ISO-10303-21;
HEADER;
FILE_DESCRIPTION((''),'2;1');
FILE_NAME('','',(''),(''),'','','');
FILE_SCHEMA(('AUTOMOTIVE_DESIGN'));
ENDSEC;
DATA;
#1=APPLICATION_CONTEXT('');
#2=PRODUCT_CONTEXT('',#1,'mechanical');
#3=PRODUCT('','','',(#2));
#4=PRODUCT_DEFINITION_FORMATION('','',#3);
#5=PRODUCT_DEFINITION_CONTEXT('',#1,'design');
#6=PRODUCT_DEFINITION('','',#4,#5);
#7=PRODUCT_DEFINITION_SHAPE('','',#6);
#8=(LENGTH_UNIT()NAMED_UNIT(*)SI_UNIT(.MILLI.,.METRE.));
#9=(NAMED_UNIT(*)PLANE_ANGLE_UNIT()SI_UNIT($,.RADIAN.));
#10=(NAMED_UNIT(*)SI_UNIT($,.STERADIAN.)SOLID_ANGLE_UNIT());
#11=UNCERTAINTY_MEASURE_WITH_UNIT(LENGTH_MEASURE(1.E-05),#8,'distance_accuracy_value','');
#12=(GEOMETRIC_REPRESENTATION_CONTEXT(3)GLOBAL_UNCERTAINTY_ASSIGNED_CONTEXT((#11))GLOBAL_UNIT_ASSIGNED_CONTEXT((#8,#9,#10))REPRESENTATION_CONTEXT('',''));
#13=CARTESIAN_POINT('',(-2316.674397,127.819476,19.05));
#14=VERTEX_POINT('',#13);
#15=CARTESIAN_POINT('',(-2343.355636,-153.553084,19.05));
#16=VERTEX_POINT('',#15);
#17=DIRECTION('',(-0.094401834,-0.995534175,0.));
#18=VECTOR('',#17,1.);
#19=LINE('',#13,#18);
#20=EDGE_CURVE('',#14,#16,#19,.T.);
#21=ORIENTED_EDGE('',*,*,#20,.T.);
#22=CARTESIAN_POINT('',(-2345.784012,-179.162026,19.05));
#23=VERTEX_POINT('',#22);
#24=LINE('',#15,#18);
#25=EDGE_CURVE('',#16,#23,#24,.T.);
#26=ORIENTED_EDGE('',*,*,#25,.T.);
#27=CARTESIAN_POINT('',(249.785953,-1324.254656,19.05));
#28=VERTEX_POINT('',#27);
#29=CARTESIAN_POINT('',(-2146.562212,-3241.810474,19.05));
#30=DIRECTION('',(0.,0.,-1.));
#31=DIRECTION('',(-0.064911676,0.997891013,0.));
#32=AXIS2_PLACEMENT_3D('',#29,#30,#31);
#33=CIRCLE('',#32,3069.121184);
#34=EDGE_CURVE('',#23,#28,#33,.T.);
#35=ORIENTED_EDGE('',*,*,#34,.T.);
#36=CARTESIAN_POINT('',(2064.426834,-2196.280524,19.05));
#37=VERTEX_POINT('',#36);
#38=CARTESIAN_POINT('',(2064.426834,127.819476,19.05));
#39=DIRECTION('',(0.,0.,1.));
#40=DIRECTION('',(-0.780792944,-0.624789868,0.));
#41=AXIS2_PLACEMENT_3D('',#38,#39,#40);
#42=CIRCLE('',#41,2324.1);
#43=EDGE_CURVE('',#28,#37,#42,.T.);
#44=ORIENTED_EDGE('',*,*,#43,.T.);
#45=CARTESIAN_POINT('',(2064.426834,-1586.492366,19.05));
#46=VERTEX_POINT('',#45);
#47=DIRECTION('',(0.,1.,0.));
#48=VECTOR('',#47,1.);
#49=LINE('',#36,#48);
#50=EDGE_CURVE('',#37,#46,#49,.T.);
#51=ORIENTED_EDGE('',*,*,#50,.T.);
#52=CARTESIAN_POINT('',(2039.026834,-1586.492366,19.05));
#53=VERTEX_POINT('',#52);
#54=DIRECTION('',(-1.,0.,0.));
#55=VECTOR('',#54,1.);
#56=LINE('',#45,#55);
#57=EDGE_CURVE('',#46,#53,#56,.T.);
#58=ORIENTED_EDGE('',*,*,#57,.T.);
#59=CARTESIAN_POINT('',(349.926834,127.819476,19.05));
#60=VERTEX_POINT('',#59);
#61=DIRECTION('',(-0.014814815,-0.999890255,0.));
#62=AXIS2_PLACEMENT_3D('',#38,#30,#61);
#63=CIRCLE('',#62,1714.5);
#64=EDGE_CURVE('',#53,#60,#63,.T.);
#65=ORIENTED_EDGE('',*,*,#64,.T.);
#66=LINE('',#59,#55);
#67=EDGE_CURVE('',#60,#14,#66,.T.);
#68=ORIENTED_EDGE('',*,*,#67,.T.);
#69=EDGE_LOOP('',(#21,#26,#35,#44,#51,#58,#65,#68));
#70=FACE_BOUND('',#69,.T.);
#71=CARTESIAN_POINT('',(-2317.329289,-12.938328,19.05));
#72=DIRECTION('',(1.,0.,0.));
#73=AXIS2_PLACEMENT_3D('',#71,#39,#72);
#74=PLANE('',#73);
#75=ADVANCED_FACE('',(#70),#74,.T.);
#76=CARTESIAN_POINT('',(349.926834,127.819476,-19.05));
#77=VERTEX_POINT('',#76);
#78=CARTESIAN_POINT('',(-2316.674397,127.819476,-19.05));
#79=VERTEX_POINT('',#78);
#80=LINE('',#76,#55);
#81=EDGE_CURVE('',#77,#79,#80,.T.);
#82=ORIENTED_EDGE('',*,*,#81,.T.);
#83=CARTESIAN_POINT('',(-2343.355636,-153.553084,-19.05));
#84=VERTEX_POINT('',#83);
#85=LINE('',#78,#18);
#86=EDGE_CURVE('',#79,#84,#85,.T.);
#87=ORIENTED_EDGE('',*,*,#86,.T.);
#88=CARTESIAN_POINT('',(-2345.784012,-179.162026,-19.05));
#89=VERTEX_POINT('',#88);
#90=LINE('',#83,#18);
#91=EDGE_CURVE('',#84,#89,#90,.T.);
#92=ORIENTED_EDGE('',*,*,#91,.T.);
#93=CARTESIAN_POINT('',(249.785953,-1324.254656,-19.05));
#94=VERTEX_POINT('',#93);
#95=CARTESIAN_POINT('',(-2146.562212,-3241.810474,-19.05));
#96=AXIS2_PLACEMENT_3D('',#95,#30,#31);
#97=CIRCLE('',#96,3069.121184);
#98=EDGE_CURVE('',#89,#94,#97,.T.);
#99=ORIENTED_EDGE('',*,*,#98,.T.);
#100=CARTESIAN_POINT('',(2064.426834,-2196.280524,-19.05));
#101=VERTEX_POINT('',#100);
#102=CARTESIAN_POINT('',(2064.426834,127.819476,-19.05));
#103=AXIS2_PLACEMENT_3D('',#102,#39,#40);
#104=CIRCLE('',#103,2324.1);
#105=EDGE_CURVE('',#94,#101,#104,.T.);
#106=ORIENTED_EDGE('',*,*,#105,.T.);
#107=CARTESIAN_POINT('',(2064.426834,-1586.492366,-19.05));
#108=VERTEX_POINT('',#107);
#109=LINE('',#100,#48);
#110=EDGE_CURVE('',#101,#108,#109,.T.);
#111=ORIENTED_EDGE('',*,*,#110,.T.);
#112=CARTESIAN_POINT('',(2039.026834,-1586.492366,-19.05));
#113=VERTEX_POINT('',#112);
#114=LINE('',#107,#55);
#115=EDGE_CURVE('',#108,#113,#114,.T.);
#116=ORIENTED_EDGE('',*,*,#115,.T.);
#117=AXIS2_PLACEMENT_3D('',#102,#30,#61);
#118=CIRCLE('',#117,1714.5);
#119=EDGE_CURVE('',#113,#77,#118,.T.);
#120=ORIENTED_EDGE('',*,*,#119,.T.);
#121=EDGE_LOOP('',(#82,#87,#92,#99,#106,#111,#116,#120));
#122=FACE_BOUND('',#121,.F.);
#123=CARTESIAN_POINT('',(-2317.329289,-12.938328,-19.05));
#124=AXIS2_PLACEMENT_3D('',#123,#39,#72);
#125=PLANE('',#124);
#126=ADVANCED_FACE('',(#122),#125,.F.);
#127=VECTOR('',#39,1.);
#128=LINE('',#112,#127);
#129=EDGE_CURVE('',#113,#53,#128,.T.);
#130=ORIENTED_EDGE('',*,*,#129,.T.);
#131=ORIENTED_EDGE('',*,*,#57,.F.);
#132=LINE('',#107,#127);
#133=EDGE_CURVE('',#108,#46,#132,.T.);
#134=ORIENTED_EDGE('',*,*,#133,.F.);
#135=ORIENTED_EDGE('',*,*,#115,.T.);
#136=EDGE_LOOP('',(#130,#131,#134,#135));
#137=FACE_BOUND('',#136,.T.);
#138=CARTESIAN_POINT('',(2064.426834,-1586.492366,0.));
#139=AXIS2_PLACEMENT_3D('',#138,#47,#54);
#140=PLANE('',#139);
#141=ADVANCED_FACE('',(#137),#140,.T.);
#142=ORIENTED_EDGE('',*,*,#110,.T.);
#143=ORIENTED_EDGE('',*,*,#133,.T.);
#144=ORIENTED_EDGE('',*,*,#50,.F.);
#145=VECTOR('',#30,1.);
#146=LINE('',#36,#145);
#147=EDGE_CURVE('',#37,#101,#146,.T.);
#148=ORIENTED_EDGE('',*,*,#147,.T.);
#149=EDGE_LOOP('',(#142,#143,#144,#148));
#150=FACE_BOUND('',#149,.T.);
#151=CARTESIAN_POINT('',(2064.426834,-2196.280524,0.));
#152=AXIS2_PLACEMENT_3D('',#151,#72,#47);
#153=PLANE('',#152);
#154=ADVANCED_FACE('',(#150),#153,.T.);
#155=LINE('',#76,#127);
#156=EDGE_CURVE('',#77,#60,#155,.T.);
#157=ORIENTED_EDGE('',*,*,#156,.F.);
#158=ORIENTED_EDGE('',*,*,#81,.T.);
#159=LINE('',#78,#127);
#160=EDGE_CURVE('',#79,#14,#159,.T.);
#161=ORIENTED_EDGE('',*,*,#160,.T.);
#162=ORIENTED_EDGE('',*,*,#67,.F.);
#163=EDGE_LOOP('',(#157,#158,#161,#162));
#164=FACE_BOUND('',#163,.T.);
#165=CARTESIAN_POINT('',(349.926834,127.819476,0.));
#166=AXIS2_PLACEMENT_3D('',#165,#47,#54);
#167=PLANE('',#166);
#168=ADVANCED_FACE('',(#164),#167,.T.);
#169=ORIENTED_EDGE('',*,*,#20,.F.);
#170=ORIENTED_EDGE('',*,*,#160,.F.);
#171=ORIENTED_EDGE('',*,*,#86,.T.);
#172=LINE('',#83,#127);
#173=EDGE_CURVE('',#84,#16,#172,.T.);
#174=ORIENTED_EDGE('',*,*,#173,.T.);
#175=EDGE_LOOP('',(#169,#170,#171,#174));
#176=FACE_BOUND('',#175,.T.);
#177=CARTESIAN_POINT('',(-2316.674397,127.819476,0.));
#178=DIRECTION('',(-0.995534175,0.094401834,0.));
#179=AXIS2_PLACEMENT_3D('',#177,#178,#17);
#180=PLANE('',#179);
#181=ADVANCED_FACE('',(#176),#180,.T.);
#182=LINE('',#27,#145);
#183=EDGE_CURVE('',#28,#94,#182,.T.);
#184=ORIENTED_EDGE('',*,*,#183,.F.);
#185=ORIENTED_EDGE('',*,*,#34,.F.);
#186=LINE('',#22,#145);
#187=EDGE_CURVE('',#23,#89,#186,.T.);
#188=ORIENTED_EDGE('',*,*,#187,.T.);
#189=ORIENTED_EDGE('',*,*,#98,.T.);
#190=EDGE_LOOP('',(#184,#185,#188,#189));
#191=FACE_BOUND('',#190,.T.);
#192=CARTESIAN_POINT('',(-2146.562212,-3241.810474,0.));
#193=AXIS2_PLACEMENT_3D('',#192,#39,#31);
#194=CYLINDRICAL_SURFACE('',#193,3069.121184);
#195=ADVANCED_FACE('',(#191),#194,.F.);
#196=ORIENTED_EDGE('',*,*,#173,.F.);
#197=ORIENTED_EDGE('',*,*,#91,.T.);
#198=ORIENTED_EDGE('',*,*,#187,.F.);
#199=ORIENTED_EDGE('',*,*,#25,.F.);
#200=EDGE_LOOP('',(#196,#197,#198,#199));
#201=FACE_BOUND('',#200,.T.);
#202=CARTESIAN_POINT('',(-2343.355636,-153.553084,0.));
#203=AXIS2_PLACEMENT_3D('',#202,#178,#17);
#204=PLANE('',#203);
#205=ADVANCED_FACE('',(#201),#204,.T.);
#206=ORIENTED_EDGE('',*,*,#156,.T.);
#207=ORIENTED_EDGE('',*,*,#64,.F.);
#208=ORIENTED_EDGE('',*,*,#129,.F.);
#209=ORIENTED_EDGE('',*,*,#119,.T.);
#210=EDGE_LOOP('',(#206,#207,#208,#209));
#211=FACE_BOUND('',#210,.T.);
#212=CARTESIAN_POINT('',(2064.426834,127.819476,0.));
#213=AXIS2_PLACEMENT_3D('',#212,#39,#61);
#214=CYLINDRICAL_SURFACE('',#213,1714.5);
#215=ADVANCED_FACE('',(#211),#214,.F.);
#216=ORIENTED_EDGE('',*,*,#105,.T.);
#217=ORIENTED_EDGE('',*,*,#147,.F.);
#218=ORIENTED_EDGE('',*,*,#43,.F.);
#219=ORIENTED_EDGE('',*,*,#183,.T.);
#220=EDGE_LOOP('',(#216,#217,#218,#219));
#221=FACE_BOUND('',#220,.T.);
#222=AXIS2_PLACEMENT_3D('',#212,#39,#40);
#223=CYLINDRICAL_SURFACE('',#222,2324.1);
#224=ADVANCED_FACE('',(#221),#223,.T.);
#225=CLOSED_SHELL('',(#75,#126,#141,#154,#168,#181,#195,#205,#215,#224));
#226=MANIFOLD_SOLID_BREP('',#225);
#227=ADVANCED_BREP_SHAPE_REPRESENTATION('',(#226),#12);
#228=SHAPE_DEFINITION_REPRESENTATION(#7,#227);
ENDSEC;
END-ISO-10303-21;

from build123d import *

# Parameters (mm, degrees)
F1_DEPTH = 19.05


with BuildPart() as f1:
    # F0 (on Top) → F1 (new body, symmetric)
    with BuildSketch(Plane.XY):
        with BuildLine():
            Line((-2291.3076398854, 126.2673181521), (-2316.6743968408, 127.8194759219))
            Line((-2316.6743968408, 127.8194759219), (-2343.3556362702, -153.5530842325))
            ThreePointArc((-2343.3556362702, -153.5530842325), (-2330.5278016841, -152.7623974711), (-2317.6967938555, -152.0249940366))
            Line((-2317.6967938555, -152.0249940366), (-2291.3076398854, 126.2673181521))
        make_face()
        with BuildLine():
            Line((-1976.4500267242, 127.8194759219), (-2316.6743968408, 127.8194759219))
            Line((-2316.6743968408, 127.8194759219), (-2291.3076398854, 126.2673181521))
            Line((-2291.3076398854, 126.2673181521), (-2317.6967938555, -152.0249940366))
            ThreePointArc((-2317.6967938555, -152.0249940366), (-860.7722517839, -427.062610277), (300.9871304167, -1348.2520313553))
            Line((300.9871304167, -1348.2520313553), (310.5663609149, -1358.1129358871))
            ThreePointArc((310.5663609149, -1358.1129358871), (1086.401925793, -1952.4422791876), (2039.0268335681, -2170.7401883026))
            Line((2039.0268335681, -2170.7401883026), (2039.0268335681, -1891.320769331))
            ThreePointArc((2039.0268335682, -1891.320769331), (1178.3695250645, -1686.6983487487), (487.771642016, -1133.8187039663))
            ThreePointArc((487.771642016, -1133.8187039663), (-608.9790041307, -238.6151698748), (-1976.4500267242, 127.8194759219))
        make_face()
        with BuildLine():
            Line((349.9268335681, 127.8194759219), (-1976.4500267242, 127.8194759219))
            ThreePointArc((-1976.4500267242, 127.8194759219), (-608.9790041307, -238.6151698748), (487.771642016, -1133.8187039663))
            ThreePointArc((487.771642016, -1133.8187039663), (1178.3695250645, -1686.6983487487), (2039.0268335682, -1891.320769331))
            Line((2039.0268335681, -1891.320769331), (2039.0268335681, -1586.6805240781))
            Line((2039.0268335681, -1586.6805240781), (2039.0268335681, -1586.4923656052))
            ThreePointArc((2039.0268335681, -1586.4923656052), (843.1450171965, -1075.5013354165), (349.9268335681, 127.8194759219))
        make_face()
        with BuildLine():
            Line((-2317.6967938555, -152.0249940366), (-2343.3556362702, -153.5530842325))
            Line((-2343.3556362702, -153.5530842325), (-2345.7840120459, -179.1620260819))
            ThreePointArc((-2345.7840120459, -179.1620260819), (-907.7521586728, -433.8121667128), (249.7859527251, -1324.2546556476))
            ThreePointArc((249.7859527251, -1324.2546556476), (1057.7800929437, -1966.9605004934), (2064.4268335681, -2196.2805240781))
            Line((2064.4268335681, -2196.2805240781), (2064.4268335681, -2170.8805240781))
            ThreePointArc((2064.4268335681, -2170.8805240781), (2051.7266397298, -2170.8454398665), (2039.0268335681, -2170.7401883026))
            ThreePointArc((2039.0268335681, -2170.7401883026), (1086.401925793, -1952.4422791876), (310.5663609149, -1358.1129358871))
            Line((310.5663609149, -1358.1129358871), (300.9871304167, -1348.2520313553))
            ThreePointArc((300.9871304167, -1348.2520313553), (-860.7722517839, -427.062610277), (-2317.6967938555, -152.0249940366))
        make_face()
        with BuildLine():
            ThreePointArc((-2317.6967938555, -152.0249940366), (-2330.5278016841, -152.7623974711), (-2343.3556362702, -153.5530842325))
            Line((-2343.3556362702, -153.5530842325), (-2317.6967938555, -152.0249940366))
        make_face()
        with BuildLine():
            Line((2064.4268335681, -1586.4923656052), (2039.0268335681, -1586.4923656052))
            ThreePointArc((2039.0268335681, -1586.4923656052), (2051.7264851122, -1586.6334838146), (2064.4268335681, -1586.6805240781))
            Line((2064.4268335681, -1586.6805240781), (2064.4268335681, -1586.4923656052))
        make_face()
        with BuildLine():
            ThreePointArc((2064.4268335681, -1586.6805240781), (2051.7264851122, -1586.6334838146), (2039.0268335681, -1586.4923656052))
            Line((2039.0268335681, -1586.4923656052), (2039.0268335681, -1586.6805240781))
            Line((2039.0268335681, -1586.6805240781), (2064.4268335681, -1586.6805240781))
        make_face()
        with BuildLine():
            Line((2039.0268335681, -1586.6805240781), (2039.0268335681, -1891.320769331))
            ThreePointArc((2039.0268335682, -1891.320769331), (2051.726582374, -1891.4405849964), (2064.4268335681, -1891.4805240781))
            Line((2064.4268335681, -1891.4805240781), (2064.4268335681, -1586.6805240781))
            Line((2064.4268335681, -1586.6805240781), (2039.0268335681, -1586.6805240781))
        make_face()
        with BuildLine():
            ThreePointArc((2064.4268335681, -1891.4805240781), (2051.726582374, -1891.4405849964), (2039.0268335682, -1891.320769331))
            Line((2039.0268335681, -1891.320769331), (2039.0268335681, -2170.7401883026))
            Line((2039.0268335681, -2170.7401883026), (2064.4268335681, -2170.8805240781))
            Line((2064.4268335681, -2170.8805240781), (2064.4268335681, -1891.4805240781))
        make_face()
        with BuildLine():
            Line((2064.4268335681, -2170.8805240781), (2039.0268335681, -2170.7401883026))
            ThreePointArc((2039.0268335681, -2170.7401883026), (2051.7266397298, -2170.8454398665), (2064.4268335681, -2170.8805240781))
        make_face()
    extrude(amount=F1_DEPTH, both=True)


solid = f1.part
